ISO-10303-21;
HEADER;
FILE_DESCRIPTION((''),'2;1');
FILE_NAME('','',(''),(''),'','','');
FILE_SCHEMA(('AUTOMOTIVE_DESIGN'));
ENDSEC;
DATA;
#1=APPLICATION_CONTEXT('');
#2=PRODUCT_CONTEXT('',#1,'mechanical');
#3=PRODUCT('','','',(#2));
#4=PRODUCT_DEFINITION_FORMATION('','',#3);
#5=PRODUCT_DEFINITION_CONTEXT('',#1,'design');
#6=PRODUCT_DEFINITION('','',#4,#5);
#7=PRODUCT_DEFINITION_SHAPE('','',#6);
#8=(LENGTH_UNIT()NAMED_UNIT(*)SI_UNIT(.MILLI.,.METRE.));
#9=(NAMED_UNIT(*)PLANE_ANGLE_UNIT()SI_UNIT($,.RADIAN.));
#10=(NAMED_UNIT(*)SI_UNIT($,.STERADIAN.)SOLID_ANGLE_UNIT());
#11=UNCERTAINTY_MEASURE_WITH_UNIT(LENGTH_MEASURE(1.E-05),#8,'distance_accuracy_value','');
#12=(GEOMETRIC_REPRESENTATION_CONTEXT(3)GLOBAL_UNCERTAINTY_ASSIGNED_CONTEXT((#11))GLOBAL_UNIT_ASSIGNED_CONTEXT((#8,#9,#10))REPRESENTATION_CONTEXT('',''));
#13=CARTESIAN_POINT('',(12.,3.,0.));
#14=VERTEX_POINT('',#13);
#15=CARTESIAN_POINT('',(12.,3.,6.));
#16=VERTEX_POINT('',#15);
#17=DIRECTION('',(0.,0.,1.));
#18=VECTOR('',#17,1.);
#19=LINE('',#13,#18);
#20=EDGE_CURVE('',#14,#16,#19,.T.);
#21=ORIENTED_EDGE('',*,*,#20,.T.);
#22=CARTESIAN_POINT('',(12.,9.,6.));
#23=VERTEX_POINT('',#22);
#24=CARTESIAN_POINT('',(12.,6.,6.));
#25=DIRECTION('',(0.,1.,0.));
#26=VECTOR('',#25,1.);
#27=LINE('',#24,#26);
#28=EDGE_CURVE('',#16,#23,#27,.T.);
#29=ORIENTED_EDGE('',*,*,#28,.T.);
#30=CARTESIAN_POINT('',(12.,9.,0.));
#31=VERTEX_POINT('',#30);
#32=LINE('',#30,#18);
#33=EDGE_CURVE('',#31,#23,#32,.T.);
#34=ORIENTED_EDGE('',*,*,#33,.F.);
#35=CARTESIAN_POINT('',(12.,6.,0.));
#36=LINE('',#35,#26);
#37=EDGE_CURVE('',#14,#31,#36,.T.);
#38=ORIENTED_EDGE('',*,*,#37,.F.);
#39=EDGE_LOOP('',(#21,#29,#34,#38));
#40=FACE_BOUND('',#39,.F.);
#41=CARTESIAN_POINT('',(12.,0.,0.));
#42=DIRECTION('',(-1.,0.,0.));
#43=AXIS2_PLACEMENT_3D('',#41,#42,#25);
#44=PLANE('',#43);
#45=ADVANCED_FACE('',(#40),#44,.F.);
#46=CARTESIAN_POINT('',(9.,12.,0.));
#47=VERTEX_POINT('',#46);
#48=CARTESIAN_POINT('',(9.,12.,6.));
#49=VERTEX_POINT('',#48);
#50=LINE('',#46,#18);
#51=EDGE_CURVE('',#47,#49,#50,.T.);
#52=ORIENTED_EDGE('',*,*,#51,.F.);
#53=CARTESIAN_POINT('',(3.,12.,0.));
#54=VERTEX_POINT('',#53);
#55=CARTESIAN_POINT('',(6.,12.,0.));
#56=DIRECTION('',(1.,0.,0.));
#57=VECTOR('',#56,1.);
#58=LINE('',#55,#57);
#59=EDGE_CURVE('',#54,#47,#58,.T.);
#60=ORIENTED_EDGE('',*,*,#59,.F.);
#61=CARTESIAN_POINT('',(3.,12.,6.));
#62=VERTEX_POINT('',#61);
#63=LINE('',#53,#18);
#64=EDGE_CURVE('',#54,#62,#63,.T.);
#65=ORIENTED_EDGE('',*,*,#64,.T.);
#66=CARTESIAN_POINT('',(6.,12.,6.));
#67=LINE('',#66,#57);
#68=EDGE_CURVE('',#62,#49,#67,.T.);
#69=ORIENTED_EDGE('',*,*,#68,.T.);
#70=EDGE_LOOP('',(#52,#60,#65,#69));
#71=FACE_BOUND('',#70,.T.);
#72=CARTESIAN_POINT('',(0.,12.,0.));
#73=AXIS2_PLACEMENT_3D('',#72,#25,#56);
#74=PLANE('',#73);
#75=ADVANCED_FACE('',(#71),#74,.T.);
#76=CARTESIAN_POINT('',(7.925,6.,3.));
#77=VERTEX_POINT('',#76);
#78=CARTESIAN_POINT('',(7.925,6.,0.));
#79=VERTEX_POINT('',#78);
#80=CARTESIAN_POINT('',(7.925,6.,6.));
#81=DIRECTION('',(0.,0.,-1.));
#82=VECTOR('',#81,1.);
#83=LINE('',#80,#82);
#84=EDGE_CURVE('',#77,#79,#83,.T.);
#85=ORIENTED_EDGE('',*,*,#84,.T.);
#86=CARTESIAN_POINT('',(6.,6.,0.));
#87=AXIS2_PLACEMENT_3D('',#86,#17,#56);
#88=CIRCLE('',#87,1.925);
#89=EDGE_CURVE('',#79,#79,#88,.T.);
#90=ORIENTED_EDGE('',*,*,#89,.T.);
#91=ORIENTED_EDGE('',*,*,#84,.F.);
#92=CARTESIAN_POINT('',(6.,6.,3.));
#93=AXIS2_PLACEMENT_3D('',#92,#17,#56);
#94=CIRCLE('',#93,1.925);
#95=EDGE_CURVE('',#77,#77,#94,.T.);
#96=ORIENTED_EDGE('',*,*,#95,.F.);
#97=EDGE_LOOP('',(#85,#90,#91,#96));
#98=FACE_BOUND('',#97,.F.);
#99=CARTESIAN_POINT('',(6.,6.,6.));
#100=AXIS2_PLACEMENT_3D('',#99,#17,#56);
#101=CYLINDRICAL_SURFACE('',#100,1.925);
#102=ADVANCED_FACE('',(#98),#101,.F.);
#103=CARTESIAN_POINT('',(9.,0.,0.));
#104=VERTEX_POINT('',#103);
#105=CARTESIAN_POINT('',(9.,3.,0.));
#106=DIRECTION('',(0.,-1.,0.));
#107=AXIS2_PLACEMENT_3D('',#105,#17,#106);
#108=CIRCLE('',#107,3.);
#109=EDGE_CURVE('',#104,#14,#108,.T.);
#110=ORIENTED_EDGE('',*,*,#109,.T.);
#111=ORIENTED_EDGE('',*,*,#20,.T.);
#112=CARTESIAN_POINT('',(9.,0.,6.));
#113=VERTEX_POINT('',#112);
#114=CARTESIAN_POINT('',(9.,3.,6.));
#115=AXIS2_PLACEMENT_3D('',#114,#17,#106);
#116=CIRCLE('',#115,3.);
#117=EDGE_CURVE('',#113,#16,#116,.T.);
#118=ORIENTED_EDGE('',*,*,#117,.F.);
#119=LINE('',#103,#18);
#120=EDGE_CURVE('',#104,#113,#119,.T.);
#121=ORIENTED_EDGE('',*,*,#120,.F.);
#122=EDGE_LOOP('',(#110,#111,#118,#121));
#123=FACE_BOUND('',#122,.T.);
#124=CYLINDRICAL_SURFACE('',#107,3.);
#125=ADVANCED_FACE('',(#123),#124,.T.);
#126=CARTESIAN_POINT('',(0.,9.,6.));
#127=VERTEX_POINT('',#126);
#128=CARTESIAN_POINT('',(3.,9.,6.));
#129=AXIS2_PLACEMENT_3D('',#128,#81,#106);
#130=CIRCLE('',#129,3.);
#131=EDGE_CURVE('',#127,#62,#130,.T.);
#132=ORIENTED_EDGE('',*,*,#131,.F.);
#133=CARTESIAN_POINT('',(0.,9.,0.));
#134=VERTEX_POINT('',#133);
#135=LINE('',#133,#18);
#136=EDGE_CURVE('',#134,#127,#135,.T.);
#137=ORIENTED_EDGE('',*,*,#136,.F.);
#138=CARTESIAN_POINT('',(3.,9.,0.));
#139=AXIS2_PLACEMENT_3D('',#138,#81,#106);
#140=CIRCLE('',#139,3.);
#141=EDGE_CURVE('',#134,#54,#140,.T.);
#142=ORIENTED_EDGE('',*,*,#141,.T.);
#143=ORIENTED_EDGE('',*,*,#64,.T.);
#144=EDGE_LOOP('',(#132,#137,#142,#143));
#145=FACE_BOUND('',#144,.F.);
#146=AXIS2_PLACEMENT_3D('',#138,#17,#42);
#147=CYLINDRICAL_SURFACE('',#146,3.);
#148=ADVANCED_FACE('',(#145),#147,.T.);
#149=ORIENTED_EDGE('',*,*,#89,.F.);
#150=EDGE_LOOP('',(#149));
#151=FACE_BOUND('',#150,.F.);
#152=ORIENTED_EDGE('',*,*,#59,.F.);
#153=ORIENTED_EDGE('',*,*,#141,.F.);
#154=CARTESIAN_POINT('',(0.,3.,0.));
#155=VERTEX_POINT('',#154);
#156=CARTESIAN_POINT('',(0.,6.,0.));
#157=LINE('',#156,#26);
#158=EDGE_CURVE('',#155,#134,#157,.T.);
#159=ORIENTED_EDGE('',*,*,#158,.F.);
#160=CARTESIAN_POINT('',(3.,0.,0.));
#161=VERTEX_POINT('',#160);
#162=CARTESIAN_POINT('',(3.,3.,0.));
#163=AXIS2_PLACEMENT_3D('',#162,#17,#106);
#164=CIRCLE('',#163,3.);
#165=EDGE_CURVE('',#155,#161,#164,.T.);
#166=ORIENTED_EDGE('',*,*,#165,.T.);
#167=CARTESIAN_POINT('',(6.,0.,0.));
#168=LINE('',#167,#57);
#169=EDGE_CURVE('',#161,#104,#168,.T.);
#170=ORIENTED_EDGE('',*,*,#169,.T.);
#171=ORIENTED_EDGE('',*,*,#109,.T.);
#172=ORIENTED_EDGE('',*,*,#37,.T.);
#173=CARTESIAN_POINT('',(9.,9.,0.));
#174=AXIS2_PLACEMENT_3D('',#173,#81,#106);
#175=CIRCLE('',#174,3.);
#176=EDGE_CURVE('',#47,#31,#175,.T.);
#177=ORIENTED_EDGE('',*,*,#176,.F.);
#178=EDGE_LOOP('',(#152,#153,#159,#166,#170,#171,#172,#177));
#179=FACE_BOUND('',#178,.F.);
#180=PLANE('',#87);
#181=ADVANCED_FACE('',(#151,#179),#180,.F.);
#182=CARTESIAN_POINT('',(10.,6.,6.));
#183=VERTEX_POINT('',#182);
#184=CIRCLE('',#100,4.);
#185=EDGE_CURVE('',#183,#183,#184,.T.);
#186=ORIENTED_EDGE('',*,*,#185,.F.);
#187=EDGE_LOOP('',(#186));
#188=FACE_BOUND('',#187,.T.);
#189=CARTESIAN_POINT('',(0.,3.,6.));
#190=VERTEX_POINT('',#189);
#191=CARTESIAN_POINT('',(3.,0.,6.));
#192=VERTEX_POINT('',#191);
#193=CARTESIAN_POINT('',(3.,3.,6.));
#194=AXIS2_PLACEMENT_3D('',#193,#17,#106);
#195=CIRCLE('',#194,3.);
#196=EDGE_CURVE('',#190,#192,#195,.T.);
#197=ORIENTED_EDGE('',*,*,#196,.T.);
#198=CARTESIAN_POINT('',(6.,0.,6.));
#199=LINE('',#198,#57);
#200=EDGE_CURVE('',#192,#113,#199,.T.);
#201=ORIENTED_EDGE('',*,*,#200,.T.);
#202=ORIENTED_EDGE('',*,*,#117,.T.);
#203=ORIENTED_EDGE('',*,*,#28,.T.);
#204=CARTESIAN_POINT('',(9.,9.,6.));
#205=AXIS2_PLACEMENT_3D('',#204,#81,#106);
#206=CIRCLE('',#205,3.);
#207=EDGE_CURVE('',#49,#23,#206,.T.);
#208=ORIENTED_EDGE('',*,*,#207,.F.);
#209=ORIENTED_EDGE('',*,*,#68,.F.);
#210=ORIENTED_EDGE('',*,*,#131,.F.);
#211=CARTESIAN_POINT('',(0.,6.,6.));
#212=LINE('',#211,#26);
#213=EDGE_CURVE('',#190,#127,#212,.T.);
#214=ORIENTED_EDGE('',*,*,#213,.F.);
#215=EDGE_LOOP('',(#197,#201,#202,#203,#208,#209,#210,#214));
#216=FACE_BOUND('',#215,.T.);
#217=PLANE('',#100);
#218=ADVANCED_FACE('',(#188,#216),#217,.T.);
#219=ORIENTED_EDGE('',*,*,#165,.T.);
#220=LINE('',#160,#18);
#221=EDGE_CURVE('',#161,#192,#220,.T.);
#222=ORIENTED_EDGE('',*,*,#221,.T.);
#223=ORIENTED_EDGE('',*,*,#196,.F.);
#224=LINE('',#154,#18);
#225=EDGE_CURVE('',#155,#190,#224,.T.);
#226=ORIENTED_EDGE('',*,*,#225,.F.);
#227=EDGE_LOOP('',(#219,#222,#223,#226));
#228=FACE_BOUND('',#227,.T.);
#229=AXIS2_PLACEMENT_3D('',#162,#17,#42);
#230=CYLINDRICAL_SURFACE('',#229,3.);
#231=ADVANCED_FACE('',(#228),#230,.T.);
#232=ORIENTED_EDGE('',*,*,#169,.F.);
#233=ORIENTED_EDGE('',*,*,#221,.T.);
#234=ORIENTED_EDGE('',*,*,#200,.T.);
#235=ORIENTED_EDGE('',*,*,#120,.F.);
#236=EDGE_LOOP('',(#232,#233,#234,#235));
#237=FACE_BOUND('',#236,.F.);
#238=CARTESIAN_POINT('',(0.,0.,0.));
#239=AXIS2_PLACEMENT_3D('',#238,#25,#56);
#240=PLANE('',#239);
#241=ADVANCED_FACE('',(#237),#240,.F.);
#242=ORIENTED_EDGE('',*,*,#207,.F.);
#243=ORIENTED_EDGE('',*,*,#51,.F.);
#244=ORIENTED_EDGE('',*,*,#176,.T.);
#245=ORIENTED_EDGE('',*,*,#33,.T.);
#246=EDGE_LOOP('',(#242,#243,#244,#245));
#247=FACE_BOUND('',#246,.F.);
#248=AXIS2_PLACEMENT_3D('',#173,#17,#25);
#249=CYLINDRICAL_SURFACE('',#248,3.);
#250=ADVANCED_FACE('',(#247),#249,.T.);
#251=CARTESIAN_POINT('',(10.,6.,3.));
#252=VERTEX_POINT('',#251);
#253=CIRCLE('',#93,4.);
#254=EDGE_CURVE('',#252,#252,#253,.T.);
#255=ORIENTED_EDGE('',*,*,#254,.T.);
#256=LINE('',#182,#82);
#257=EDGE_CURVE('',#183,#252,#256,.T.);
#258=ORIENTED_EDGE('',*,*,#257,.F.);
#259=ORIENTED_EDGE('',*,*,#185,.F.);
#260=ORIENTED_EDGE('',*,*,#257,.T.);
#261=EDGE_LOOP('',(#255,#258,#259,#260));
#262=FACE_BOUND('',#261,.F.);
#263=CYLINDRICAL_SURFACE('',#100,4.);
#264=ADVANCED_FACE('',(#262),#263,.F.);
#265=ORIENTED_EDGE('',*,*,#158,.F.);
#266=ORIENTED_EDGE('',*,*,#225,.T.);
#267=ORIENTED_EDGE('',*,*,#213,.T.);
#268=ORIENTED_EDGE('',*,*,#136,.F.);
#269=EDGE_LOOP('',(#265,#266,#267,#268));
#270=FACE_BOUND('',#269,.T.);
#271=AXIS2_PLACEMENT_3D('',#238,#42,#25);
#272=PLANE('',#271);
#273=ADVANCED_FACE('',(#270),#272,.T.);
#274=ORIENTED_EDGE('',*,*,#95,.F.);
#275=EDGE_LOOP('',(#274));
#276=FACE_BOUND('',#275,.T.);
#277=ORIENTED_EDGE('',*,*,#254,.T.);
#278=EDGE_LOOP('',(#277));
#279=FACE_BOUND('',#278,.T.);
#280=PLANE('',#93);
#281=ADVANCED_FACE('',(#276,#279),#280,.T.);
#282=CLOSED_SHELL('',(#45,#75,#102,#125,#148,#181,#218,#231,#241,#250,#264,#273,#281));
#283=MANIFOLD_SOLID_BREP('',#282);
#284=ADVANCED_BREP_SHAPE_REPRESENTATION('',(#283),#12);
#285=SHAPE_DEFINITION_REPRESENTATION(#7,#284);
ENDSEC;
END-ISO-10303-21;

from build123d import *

# Parameters (mm, degrees)
SKETCH_W     = 12
SKETCH_H     = 12
PAD_DEPTH    = 6
SKETCH001_R  = 1.925
HOLE_DEPTH   = 6.001
SKETCH002_R  = 4
POCKET_DEPTH = 3
FILLET_R     = 3


with BuildPart() as part:
    # Sketch → Pad (new body)
    with BuildSketch(Plane.XY):
        with Locations((6, 6)):
            Rectangle(SKETCH_W, SKETCH_H)
    extrude(amount=PAD_DEPTH)

    # Sketch001 (on Face6 of Pad) → Hole (cut, through all)
    with BuildSketch(Plane.XY.offset(6)):
        with Locations((6, 6)):
            Circle(SKETCH001_R)
    extrude(amount=-HOLE_DEPTH, mode=Mode.SUBTRACT)

    # Sketch002 (on Face5 of Hole) → Pocket (cut)
    with BuildSketch(Plane.XY.offset(6)):
        with Locations((6, 6)):
            Circle(SKETCH002_R)
    extrude(amount=-POCKET_DEPTH, mode=Mode.SUBTRACT)

    # Fillet
    fillet_edges = [part.edges().sort_by_distance(p)[0] for p in [
        (0, 0, 3),
        (12, 0, 3),
        (12, 12, 3),
        (0, 12, 3),
    ]]
    fillet(fillet_edges, radius=FILLET_R)


solid = part.part
